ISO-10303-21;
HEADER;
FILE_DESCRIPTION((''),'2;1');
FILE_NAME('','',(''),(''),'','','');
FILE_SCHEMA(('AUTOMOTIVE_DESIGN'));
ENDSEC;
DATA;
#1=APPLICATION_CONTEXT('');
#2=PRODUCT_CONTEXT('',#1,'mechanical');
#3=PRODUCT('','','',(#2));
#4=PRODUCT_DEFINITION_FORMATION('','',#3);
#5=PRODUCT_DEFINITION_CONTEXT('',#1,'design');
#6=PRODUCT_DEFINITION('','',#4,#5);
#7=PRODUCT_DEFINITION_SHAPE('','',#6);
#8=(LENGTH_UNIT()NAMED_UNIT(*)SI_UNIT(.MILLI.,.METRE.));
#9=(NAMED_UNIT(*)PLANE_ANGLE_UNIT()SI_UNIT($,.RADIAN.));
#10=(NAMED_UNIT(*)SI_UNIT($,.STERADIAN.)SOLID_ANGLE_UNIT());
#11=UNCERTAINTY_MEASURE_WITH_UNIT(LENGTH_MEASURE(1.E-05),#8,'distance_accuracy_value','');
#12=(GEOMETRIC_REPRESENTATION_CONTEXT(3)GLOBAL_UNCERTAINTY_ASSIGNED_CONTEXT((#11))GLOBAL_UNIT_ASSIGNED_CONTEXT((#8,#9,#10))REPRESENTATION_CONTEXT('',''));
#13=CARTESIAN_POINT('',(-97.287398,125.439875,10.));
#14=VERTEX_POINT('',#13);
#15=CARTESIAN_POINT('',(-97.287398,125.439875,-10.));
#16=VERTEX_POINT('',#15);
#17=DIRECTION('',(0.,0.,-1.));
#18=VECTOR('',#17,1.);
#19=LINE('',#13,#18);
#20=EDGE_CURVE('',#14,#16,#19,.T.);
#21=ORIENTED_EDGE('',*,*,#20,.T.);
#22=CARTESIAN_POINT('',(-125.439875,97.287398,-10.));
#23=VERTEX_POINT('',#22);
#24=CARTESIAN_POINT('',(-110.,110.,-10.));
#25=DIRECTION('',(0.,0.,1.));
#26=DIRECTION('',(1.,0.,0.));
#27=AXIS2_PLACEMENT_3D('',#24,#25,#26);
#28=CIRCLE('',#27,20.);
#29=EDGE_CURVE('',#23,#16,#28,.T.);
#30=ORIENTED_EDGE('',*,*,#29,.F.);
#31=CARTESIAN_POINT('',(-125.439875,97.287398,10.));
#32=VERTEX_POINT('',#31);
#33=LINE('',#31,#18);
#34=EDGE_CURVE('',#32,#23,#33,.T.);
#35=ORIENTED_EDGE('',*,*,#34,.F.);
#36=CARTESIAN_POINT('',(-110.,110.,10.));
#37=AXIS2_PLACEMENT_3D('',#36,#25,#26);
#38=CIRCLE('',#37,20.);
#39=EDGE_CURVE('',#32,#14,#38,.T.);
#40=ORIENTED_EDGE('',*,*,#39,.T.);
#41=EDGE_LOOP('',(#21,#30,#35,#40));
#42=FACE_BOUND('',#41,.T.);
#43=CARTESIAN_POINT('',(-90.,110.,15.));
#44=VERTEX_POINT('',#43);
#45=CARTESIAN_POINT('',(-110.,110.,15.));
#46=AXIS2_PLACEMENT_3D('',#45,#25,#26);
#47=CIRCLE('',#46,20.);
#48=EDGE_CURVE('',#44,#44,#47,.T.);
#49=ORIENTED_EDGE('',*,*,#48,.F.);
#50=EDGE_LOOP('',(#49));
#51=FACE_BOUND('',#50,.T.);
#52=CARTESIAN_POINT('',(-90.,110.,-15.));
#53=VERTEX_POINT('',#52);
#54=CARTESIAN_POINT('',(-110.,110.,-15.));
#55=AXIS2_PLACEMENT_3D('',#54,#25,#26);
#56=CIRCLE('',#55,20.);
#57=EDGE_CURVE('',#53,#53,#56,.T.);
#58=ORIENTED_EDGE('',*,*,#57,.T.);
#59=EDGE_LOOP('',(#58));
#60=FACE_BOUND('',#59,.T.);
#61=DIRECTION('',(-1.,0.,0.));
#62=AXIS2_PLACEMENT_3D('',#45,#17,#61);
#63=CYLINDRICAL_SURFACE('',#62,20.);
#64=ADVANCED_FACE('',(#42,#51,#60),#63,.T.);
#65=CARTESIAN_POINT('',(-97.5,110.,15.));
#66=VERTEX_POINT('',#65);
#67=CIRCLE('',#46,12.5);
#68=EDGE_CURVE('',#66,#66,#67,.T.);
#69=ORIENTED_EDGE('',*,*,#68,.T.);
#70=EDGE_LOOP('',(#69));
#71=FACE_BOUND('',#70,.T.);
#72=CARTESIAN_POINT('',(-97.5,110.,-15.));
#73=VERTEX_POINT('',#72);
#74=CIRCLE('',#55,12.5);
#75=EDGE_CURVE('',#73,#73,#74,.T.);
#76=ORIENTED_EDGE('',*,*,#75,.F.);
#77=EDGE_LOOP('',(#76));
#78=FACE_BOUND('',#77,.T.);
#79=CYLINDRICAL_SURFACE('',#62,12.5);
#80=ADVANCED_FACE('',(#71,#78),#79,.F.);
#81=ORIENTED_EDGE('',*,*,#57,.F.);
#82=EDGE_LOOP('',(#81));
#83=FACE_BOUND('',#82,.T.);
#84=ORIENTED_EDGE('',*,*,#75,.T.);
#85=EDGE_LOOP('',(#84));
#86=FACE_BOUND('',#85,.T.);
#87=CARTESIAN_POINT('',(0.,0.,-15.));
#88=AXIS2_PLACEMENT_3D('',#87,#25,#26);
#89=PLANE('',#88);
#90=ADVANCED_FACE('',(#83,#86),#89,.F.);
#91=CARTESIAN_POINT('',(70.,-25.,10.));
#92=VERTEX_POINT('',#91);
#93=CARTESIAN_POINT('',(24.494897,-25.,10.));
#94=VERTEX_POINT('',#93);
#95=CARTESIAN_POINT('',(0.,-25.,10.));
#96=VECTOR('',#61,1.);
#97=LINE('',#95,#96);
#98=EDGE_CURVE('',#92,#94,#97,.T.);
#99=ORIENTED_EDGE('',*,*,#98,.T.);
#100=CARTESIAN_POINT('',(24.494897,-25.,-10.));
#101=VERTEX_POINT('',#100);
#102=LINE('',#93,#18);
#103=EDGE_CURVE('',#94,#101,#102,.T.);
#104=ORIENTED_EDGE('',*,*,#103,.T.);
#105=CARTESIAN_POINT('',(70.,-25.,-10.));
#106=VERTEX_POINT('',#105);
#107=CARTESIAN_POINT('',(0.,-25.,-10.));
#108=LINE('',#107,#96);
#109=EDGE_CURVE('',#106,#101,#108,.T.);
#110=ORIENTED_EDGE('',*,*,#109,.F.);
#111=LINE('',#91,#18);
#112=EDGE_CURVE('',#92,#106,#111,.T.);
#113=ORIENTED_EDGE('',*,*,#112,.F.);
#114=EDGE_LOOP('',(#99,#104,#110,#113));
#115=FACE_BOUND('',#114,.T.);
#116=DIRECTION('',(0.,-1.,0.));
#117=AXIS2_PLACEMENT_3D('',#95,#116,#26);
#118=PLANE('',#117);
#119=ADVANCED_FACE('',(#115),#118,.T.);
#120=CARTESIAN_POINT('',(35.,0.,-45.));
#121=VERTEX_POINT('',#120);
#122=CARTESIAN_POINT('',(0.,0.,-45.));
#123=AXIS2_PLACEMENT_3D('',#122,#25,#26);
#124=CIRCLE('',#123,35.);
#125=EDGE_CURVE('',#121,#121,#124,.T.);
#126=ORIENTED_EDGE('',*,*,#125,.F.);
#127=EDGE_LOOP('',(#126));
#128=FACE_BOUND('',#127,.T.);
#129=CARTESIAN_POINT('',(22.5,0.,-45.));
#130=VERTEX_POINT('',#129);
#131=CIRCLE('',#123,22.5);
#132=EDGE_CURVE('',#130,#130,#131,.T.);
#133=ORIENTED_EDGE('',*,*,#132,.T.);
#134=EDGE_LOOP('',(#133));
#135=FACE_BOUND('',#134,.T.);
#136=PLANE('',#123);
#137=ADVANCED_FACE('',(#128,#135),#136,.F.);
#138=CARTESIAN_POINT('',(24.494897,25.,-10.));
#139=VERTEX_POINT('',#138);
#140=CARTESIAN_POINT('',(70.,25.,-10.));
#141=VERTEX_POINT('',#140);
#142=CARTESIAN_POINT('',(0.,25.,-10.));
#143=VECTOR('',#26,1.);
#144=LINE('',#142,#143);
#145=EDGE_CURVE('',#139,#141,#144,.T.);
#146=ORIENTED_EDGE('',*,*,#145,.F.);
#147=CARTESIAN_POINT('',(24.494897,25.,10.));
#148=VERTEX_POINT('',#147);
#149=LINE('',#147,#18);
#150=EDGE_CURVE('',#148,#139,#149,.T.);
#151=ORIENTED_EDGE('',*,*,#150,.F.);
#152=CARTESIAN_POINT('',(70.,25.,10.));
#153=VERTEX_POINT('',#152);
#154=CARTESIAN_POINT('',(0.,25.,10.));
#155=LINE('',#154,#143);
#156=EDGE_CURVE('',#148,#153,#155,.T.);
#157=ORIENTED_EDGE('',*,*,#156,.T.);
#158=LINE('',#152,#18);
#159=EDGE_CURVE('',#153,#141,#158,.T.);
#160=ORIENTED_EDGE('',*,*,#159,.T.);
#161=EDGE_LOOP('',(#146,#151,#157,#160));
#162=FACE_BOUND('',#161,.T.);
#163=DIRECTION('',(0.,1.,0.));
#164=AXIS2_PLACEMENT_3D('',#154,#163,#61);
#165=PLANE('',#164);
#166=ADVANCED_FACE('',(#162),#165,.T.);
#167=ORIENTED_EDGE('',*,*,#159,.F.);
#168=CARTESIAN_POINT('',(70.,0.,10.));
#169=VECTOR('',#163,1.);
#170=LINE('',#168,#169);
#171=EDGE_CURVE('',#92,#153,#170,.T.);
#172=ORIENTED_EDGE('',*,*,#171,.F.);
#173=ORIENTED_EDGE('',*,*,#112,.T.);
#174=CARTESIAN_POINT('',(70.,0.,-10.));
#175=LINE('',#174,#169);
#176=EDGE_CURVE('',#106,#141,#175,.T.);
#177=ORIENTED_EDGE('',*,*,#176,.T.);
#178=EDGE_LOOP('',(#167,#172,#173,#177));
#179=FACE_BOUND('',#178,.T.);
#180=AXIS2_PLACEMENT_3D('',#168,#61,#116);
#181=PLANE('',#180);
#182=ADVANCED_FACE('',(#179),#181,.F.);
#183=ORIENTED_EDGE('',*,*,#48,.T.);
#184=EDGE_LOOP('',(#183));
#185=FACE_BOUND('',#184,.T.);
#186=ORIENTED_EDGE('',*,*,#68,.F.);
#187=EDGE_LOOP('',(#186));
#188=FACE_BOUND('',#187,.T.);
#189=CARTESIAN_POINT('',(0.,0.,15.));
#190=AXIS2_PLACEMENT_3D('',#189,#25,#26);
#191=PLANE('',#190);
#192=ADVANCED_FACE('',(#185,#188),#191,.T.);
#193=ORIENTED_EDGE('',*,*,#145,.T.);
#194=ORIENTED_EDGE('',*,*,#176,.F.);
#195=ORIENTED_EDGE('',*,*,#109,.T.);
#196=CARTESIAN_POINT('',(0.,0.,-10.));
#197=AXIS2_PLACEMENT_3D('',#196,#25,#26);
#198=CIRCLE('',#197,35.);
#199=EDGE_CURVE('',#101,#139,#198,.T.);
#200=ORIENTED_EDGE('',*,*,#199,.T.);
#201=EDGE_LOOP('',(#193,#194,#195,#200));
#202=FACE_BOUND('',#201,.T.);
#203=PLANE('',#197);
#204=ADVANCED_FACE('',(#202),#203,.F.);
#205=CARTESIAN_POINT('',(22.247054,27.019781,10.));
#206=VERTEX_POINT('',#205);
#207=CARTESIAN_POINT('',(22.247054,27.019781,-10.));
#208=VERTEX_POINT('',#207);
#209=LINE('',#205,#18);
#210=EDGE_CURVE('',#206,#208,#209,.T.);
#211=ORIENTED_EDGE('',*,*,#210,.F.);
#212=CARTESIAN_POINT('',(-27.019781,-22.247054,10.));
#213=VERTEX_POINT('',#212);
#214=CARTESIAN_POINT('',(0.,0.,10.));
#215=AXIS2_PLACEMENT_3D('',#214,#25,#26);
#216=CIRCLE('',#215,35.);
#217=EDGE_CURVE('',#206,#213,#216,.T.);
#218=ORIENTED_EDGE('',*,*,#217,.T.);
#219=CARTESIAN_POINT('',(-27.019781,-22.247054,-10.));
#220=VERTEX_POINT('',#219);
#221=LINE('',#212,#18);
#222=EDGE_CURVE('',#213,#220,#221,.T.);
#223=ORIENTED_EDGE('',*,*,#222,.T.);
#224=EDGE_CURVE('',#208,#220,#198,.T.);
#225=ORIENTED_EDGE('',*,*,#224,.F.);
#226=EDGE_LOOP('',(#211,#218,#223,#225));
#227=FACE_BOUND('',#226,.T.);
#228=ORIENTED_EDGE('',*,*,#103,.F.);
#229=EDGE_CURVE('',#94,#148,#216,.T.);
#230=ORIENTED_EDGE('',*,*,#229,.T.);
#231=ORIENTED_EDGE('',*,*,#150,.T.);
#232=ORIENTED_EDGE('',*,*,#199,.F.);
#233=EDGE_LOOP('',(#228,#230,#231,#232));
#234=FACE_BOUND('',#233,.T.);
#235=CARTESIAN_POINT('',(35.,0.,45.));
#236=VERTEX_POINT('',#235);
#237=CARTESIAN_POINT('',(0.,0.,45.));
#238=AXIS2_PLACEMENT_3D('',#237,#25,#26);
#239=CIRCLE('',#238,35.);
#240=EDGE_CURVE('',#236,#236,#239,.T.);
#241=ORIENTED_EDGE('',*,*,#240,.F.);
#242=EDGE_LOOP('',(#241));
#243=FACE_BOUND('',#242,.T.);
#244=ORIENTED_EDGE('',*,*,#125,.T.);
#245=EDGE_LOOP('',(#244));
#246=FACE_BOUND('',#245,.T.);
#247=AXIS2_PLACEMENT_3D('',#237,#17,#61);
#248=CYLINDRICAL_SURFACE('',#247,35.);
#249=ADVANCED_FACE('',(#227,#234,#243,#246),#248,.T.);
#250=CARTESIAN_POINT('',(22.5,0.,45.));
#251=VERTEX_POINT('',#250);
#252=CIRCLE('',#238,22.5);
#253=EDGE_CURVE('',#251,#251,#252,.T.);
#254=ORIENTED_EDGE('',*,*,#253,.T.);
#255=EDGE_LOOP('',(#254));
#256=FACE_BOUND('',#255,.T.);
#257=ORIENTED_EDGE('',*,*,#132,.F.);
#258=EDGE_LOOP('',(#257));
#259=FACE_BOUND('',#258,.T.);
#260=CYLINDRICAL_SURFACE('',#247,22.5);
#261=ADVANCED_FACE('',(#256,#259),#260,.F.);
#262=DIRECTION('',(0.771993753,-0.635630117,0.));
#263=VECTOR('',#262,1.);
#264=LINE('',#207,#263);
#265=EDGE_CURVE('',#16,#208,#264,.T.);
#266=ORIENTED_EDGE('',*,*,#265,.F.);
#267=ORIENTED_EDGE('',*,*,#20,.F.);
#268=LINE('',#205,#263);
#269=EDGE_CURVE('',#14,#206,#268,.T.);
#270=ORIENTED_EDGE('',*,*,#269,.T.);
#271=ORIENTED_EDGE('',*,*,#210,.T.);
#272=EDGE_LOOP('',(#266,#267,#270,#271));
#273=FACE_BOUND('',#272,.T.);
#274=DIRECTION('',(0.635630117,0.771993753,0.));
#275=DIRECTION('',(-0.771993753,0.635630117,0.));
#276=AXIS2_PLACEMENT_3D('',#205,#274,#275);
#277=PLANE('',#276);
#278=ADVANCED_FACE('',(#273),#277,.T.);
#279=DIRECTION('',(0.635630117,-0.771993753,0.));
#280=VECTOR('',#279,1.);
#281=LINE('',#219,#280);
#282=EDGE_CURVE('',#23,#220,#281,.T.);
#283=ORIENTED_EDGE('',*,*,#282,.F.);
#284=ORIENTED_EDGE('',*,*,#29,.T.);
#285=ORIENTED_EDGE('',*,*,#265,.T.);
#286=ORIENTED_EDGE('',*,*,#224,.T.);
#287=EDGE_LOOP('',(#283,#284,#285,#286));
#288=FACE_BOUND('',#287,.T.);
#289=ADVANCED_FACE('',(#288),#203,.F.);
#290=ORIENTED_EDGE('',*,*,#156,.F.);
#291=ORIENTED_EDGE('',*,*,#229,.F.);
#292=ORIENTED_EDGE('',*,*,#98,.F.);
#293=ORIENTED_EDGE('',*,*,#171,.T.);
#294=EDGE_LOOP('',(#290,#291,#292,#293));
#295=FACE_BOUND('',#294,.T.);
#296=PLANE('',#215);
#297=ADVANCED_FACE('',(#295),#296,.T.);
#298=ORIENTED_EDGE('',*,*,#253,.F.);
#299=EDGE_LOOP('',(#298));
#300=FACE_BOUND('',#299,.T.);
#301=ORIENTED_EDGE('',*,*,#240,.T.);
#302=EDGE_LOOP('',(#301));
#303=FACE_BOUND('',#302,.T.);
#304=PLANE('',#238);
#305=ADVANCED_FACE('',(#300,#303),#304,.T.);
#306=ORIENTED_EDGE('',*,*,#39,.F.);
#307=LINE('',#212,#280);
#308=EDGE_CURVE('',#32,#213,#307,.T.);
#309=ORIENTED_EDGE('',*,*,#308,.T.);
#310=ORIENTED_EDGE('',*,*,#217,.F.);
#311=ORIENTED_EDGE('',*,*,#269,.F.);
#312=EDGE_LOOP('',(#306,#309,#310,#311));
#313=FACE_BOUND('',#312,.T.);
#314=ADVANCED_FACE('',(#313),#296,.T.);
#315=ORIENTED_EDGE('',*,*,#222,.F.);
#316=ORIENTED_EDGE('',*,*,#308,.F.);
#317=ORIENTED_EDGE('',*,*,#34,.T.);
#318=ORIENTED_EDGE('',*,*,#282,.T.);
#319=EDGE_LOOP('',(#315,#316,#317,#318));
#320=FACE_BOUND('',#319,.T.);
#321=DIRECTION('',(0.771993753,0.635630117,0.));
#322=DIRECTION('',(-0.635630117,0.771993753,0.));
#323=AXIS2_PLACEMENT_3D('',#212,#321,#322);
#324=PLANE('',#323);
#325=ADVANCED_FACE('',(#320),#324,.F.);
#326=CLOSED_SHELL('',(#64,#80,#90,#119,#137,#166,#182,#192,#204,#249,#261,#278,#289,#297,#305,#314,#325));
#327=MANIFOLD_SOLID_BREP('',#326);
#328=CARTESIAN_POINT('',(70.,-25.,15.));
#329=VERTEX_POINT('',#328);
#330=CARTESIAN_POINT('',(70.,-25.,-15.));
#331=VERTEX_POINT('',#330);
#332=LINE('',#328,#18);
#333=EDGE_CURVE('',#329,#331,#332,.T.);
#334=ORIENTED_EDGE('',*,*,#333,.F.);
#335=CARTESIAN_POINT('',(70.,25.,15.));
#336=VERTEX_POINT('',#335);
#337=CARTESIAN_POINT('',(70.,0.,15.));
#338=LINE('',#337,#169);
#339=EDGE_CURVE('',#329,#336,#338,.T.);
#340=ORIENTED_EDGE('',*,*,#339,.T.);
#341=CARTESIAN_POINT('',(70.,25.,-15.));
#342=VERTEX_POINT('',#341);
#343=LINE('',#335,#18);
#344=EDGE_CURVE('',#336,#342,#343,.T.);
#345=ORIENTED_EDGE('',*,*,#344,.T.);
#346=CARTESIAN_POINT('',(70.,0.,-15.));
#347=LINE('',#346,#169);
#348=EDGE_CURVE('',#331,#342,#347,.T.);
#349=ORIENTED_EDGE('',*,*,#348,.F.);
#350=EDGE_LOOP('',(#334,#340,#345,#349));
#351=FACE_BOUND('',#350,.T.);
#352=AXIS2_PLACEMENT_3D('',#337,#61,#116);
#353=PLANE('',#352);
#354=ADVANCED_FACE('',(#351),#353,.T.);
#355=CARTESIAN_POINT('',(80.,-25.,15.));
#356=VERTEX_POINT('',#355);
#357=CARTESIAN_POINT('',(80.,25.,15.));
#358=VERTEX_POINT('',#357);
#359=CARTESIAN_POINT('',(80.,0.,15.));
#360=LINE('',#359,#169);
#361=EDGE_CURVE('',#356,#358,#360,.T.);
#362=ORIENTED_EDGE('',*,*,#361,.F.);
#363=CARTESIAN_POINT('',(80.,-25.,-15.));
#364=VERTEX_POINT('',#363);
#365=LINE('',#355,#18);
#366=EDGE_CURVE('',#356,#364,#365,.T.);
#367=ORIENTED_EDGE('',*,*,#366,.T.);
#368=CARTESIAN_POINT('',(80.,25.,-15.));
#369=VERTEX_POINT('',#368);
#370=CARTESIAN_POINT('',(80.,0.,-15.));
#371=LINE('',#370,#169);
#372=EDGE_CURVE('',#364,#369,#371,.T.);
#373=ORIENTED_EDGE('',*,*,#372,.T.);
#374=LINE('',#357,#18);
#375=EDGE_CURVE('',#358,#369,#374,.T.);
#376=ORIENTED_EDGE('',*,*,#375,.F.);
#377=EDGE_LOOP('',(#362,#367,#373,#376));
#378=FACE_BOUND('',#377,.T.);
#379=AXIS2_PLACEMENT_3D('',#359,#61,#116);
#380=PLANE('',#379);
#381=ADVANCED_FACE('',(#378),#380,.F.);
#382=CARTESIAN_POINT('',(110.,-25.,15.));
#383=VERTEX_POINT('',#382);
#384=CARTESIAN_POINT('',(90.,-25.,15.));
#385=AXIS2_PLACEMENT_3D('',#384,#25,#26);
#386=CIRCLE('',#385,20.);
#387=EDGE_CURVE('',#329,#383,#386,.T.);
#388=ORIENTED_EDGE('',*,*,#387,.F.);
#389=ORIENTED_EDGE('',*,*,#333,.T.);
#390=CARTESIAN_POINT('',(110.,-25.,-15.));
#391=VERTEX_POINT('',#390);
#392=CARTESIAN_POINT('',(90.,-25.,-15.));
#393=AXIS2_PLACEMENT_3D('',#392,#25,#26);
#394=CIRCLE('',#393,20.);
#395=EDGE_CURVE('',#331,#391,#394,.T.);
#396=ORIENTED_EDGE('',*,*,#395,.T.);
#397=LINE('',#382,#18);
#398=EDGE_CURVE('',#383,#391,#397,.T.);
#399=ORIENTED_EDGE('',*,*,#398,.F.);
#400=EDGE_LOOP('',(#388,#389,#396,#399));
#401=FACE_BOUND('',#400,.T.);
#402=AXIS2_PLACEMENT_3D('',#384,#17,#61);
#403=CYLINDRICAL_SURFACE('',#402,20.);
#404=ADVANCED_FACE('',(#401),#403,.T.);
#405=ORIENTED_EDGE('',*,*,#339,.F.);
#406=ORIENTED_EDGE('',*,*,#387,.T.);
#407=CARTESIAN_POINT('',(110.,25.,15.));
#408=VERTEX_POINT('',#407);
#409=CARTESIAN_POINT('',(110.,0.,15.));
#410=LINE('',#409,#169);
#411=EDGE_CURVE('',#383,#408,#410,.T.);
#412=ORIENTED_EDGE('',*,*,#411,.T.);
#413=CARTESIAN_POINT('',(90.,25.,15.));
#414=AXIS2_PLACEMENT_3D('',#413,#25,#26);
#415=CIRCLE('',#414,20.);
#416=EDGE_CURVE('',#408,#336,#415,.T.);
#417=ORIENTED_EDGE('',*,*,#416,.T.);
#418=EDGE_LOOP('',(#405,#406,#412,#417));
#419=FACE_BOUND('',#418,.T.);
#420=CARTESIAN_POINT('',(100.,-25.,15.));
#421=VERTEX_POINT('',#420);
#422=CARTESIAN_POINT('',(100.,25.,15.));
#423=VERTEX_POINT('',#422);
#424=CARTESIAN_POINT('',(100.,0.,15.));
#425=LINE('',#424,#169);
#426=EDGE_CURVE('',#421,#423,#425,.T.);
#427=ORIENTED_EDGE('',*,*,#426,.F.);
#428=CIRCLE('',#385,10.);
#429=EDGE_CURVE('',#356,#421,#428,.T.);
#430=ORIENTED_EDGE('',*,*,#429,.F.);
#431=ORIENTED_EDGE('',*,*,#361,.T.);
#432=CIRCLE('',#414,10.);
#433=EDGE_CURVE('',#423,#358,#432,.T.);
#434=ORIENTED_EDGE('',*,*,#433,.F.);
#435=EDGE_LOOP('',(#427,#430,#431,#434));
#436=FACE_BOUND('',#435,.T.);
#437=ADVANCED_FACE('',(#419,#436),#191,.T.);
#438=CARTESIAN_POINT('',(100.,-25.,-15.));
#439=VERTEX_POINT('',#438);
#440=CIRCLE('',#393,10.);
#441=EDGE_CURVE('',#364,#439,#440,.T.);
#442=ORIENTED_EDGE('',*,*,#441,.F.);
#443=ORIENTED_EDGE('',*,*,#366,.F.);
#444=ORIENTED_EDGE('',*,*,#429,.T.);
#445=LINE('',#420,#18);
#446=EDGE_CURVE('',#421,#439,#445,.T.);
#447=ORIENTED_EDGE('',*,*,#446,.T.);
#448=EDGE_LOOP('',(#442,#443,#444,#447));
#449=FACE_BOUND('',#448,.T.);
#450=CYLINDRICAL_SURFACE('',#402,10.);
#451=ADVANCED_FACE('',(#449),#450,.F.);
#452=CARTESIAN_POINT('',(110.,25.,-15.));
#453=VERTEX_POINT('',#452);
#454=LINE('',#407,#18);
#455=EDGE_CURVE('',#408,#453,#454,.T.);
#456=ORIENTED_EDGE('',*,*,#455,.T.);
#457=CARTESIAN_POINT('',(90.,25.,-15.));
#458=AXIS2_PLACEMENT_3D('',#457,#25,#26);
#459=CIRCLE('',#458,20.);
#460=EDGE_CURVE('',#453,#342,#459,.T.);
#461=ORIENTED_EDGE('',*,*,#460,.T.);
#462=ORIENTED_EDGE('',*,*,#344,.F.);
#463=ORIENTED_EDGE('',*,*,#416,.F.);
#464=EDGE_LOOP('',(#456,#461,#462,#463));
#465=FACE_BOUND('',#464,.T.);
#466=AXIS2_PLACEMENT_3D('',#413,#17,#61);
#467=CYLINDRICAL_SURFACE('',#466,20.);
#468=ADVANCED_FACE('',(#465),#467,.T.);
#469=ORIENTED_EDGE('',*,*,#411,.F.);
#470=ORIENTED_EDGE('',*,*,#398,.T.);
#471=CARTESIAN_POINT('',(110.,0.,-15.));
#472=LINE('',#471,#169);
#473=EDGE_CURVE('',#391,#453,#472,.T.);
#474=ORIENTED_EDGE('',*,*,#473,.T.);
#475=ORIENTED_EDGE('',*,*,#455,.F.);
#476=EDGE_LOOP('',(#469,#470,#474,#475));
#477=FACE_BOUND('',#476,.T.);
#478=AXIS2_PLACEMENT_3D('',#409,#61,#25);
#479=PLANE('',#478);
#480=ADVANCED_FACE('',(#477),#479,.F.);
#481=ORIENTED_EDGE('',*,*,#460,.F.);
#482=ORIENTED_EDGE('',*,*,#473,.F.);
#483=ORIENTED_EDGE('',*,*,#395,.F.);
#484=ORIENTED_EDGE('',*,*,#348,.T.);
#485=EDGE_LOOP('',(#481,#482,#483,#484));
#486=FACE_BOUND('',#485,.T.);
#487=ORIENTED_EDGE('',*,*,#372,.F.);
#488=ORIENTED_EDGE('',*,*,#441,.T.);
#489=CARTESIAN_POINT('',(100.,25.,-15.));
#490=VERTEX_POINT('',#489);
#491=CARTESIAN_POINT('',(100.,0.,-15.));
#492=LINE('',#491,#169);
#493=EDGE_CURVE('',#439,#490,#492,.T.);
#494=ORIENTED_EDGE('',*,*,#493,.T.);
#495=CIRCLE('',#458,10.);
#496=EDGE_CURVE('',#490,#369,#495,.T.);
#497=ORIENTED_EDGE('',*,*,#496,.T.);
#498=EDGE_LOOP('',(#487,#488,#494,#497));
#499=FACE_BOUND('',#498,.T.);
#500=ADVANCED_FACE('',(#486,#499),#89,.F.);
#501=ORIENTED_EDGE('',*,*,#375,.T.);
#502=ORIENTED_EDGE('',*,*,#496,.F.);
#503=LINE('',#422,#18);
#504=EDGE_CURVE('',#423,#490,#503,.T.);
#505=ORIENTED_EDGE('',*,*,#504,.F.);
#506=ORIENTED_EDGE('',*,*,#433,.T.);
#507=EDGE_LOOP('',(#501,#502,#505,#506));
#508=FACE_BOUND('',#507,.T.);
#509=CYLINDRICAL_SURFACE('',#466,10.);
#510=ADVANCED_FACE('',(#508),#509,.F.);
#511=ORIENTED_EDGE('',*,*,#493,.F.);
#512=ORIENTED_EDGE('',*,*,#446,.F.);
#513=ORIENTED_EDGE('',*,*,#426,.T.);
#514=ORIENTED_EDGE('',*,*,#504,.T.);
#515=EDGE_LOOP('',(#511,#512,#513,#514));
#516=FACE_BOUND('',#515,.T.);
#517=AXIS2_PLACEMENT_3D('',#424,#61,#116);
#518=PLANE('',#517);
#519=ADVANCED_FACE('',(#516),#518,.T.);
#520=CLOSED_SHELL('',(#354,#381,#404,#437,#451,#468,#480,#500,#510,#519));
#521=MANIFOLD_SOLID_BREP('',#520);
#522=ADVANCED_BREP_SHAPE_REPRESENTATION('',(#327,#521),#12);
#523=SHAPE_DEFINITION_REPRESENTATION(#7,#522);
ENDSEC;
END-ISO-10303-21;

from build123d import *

# Parameters (mm, degrees)
ESBO_O2_R                  = 22.499999999999996
RESSALTO_EXTRUS_O1_DEPTH   = 45
RESSALTO_EXTRUS_O2_DEPTH   = 15
ESBO_O2_3_R                = 19.999999999999982
ESBO_O2_3_R_2              = 12.50000000000002
RESSALTO_EXTRUS_O2_2_DEPTH = 15
RESSALTO_EXTRUS_O4_DEPTH   = 10


with BuildPart() as part:
    # Esboço2 → Ressalto-extrusão1 (new, symmetric)
    with BuildSketch(Plane.XY):
        with BuildLine():
            ThreePointArc((-27.019781356912492, -22.24705408418482), (-1.8677359336065302, -34.95012964900582), (24.49489742783113, -25.000000000000647))
            ThreePointArc((24.49489742783113, -25.000000000000647), (32.26702194171388, -13.558735007844774), (35.00000000000001, -8.57e-15))
            ThreePointArc((35.00000000000001, 0), (32.267021941714255, 13.558735007843877), (24.494897427832516, 24.999999999999286))
            ThreePointArc((24.494897427832516, 24.999999999999286), (23.392784934043004, 26.034162422279138), (22.2470540841853, 27.019781356912098))
            ThreePointArc((22.2470540841853, 27.019781356912098), (-24.748737341528944, 24.74873734152939), (-27.019781356912492, -22.24705408418482))
        make_face()
        Circle(ESBO_O2_R, mode=Mode.SUBTRACT)
    extrude(amount=RESSALTO_EXTRUS_O1_DEPTH, both=True)



with BuildPart() as body_2:
    # Esboço2<3> → Ressalto-extrusão2 (new, symmetric)
    with BuildSketch(Plane.XY):
        with BuildLine():
            Line((69.99999999999999, 24.99999999999937), (70, -25.0000000000006))
            ThreePointArc((70, -25.0000000000006), (90, -45.00000000000057), (110, -25.00000000000059))
            Line((109.99999999999999, -25.00000000000059), (109.99999999999999, 24.999999999999396))
            ThreePointArc((109.99999999999997, 24.999999999999392), (89.99999999999997, 44.999999999999424), (69.99999999999997, 24.99999999999938))
        make_face()
        with BuildLine():
            ThreePointArc((100, -25.000000000000597), (90, -35.00000000000057), (80, -25.000000000000597))
            Line((80, -25.000000000000597), (79.99999999999999, 24.999999999999375))
            ThreePointArc((79.99999999999997, 24.99999999999938), (89.99999999999996, 34.99999999999941), (99.99999999999997, 24.999999999999407))
            Line((99.99999999999997, 24.999999999999407), (99.99999999999999, -25.000000000000593))
        make_face(mode=Mode.SUBTRACT)
    extrude(amount=RESSALTO_EXTRUS_O2_DEPTH, both=True)


with BuildPart() as body_3:
    # Esboço2<3> → Ressalto-extrus_o2 2 (new, symmetric)
    with BuildSketch(Plane.XY):
        with Locations((-110, 110.00000000000196)):
            Circle(ESBO_O2_3_R)
        with Locations((-110.00000000000001, 110.00000000000196)):
            Circle(ESBO_O2_3_R_2, mode=Mode.SUBTRACT)
    extrude(amount=RESSALTO_EXTRUS_O2_2_DEPTH, both=True)


with BuildPart() as part_1:
    add(part.part)

    add(body_3.part)  # Ressalto-extrusão4 merges body 3
    # Esboço2<5> → Ressalto-extrusão4 (add, symmetric)
    with BuildSketch(Plane.XY):
        with BuildLine():
            Line((24.49489742783112, -25.000000000000647), (70, -25.0000000000006))
            Line((70, -25.0000000000006), (69.99999999999999, 24.99999999999937))
            Line((69.99999999999999, 24.999999999999375), (24.494897427832516, 24.999999999999286))
            ThreePointArc((24.494897427832516, 24.999999999999286), (35.000000000000014, -9.77e-13), (24.49489742783112, -25.000000000000654))
        make_face()
        with BuildLine():
            Line((-125.43987506109286, 97.28739766618204), (-27.019781356912475, -22.24705408418481))
            ThreePointArc((-27.019781356912492, -22.24705408418482), (-24.748737341528944, 24.74873734152939), (22.2470540841853, 27.019781356912098))
            Line((22.247054084185294, 27.019781356912105), (-97.28739766617986, 125.43987506109455))
            ThreePointArc((-97.28739766617984, 125.43987506109457), (-95.85786437626919, 95.8578643762709), (-125.43987506109285, 97.28739766618206))
        make_face()
    extrude(amount=RESSALTO_EXTRUS_O4_DEPTH, both=True)


solid = Compound([body_2.part, part_1.part])
